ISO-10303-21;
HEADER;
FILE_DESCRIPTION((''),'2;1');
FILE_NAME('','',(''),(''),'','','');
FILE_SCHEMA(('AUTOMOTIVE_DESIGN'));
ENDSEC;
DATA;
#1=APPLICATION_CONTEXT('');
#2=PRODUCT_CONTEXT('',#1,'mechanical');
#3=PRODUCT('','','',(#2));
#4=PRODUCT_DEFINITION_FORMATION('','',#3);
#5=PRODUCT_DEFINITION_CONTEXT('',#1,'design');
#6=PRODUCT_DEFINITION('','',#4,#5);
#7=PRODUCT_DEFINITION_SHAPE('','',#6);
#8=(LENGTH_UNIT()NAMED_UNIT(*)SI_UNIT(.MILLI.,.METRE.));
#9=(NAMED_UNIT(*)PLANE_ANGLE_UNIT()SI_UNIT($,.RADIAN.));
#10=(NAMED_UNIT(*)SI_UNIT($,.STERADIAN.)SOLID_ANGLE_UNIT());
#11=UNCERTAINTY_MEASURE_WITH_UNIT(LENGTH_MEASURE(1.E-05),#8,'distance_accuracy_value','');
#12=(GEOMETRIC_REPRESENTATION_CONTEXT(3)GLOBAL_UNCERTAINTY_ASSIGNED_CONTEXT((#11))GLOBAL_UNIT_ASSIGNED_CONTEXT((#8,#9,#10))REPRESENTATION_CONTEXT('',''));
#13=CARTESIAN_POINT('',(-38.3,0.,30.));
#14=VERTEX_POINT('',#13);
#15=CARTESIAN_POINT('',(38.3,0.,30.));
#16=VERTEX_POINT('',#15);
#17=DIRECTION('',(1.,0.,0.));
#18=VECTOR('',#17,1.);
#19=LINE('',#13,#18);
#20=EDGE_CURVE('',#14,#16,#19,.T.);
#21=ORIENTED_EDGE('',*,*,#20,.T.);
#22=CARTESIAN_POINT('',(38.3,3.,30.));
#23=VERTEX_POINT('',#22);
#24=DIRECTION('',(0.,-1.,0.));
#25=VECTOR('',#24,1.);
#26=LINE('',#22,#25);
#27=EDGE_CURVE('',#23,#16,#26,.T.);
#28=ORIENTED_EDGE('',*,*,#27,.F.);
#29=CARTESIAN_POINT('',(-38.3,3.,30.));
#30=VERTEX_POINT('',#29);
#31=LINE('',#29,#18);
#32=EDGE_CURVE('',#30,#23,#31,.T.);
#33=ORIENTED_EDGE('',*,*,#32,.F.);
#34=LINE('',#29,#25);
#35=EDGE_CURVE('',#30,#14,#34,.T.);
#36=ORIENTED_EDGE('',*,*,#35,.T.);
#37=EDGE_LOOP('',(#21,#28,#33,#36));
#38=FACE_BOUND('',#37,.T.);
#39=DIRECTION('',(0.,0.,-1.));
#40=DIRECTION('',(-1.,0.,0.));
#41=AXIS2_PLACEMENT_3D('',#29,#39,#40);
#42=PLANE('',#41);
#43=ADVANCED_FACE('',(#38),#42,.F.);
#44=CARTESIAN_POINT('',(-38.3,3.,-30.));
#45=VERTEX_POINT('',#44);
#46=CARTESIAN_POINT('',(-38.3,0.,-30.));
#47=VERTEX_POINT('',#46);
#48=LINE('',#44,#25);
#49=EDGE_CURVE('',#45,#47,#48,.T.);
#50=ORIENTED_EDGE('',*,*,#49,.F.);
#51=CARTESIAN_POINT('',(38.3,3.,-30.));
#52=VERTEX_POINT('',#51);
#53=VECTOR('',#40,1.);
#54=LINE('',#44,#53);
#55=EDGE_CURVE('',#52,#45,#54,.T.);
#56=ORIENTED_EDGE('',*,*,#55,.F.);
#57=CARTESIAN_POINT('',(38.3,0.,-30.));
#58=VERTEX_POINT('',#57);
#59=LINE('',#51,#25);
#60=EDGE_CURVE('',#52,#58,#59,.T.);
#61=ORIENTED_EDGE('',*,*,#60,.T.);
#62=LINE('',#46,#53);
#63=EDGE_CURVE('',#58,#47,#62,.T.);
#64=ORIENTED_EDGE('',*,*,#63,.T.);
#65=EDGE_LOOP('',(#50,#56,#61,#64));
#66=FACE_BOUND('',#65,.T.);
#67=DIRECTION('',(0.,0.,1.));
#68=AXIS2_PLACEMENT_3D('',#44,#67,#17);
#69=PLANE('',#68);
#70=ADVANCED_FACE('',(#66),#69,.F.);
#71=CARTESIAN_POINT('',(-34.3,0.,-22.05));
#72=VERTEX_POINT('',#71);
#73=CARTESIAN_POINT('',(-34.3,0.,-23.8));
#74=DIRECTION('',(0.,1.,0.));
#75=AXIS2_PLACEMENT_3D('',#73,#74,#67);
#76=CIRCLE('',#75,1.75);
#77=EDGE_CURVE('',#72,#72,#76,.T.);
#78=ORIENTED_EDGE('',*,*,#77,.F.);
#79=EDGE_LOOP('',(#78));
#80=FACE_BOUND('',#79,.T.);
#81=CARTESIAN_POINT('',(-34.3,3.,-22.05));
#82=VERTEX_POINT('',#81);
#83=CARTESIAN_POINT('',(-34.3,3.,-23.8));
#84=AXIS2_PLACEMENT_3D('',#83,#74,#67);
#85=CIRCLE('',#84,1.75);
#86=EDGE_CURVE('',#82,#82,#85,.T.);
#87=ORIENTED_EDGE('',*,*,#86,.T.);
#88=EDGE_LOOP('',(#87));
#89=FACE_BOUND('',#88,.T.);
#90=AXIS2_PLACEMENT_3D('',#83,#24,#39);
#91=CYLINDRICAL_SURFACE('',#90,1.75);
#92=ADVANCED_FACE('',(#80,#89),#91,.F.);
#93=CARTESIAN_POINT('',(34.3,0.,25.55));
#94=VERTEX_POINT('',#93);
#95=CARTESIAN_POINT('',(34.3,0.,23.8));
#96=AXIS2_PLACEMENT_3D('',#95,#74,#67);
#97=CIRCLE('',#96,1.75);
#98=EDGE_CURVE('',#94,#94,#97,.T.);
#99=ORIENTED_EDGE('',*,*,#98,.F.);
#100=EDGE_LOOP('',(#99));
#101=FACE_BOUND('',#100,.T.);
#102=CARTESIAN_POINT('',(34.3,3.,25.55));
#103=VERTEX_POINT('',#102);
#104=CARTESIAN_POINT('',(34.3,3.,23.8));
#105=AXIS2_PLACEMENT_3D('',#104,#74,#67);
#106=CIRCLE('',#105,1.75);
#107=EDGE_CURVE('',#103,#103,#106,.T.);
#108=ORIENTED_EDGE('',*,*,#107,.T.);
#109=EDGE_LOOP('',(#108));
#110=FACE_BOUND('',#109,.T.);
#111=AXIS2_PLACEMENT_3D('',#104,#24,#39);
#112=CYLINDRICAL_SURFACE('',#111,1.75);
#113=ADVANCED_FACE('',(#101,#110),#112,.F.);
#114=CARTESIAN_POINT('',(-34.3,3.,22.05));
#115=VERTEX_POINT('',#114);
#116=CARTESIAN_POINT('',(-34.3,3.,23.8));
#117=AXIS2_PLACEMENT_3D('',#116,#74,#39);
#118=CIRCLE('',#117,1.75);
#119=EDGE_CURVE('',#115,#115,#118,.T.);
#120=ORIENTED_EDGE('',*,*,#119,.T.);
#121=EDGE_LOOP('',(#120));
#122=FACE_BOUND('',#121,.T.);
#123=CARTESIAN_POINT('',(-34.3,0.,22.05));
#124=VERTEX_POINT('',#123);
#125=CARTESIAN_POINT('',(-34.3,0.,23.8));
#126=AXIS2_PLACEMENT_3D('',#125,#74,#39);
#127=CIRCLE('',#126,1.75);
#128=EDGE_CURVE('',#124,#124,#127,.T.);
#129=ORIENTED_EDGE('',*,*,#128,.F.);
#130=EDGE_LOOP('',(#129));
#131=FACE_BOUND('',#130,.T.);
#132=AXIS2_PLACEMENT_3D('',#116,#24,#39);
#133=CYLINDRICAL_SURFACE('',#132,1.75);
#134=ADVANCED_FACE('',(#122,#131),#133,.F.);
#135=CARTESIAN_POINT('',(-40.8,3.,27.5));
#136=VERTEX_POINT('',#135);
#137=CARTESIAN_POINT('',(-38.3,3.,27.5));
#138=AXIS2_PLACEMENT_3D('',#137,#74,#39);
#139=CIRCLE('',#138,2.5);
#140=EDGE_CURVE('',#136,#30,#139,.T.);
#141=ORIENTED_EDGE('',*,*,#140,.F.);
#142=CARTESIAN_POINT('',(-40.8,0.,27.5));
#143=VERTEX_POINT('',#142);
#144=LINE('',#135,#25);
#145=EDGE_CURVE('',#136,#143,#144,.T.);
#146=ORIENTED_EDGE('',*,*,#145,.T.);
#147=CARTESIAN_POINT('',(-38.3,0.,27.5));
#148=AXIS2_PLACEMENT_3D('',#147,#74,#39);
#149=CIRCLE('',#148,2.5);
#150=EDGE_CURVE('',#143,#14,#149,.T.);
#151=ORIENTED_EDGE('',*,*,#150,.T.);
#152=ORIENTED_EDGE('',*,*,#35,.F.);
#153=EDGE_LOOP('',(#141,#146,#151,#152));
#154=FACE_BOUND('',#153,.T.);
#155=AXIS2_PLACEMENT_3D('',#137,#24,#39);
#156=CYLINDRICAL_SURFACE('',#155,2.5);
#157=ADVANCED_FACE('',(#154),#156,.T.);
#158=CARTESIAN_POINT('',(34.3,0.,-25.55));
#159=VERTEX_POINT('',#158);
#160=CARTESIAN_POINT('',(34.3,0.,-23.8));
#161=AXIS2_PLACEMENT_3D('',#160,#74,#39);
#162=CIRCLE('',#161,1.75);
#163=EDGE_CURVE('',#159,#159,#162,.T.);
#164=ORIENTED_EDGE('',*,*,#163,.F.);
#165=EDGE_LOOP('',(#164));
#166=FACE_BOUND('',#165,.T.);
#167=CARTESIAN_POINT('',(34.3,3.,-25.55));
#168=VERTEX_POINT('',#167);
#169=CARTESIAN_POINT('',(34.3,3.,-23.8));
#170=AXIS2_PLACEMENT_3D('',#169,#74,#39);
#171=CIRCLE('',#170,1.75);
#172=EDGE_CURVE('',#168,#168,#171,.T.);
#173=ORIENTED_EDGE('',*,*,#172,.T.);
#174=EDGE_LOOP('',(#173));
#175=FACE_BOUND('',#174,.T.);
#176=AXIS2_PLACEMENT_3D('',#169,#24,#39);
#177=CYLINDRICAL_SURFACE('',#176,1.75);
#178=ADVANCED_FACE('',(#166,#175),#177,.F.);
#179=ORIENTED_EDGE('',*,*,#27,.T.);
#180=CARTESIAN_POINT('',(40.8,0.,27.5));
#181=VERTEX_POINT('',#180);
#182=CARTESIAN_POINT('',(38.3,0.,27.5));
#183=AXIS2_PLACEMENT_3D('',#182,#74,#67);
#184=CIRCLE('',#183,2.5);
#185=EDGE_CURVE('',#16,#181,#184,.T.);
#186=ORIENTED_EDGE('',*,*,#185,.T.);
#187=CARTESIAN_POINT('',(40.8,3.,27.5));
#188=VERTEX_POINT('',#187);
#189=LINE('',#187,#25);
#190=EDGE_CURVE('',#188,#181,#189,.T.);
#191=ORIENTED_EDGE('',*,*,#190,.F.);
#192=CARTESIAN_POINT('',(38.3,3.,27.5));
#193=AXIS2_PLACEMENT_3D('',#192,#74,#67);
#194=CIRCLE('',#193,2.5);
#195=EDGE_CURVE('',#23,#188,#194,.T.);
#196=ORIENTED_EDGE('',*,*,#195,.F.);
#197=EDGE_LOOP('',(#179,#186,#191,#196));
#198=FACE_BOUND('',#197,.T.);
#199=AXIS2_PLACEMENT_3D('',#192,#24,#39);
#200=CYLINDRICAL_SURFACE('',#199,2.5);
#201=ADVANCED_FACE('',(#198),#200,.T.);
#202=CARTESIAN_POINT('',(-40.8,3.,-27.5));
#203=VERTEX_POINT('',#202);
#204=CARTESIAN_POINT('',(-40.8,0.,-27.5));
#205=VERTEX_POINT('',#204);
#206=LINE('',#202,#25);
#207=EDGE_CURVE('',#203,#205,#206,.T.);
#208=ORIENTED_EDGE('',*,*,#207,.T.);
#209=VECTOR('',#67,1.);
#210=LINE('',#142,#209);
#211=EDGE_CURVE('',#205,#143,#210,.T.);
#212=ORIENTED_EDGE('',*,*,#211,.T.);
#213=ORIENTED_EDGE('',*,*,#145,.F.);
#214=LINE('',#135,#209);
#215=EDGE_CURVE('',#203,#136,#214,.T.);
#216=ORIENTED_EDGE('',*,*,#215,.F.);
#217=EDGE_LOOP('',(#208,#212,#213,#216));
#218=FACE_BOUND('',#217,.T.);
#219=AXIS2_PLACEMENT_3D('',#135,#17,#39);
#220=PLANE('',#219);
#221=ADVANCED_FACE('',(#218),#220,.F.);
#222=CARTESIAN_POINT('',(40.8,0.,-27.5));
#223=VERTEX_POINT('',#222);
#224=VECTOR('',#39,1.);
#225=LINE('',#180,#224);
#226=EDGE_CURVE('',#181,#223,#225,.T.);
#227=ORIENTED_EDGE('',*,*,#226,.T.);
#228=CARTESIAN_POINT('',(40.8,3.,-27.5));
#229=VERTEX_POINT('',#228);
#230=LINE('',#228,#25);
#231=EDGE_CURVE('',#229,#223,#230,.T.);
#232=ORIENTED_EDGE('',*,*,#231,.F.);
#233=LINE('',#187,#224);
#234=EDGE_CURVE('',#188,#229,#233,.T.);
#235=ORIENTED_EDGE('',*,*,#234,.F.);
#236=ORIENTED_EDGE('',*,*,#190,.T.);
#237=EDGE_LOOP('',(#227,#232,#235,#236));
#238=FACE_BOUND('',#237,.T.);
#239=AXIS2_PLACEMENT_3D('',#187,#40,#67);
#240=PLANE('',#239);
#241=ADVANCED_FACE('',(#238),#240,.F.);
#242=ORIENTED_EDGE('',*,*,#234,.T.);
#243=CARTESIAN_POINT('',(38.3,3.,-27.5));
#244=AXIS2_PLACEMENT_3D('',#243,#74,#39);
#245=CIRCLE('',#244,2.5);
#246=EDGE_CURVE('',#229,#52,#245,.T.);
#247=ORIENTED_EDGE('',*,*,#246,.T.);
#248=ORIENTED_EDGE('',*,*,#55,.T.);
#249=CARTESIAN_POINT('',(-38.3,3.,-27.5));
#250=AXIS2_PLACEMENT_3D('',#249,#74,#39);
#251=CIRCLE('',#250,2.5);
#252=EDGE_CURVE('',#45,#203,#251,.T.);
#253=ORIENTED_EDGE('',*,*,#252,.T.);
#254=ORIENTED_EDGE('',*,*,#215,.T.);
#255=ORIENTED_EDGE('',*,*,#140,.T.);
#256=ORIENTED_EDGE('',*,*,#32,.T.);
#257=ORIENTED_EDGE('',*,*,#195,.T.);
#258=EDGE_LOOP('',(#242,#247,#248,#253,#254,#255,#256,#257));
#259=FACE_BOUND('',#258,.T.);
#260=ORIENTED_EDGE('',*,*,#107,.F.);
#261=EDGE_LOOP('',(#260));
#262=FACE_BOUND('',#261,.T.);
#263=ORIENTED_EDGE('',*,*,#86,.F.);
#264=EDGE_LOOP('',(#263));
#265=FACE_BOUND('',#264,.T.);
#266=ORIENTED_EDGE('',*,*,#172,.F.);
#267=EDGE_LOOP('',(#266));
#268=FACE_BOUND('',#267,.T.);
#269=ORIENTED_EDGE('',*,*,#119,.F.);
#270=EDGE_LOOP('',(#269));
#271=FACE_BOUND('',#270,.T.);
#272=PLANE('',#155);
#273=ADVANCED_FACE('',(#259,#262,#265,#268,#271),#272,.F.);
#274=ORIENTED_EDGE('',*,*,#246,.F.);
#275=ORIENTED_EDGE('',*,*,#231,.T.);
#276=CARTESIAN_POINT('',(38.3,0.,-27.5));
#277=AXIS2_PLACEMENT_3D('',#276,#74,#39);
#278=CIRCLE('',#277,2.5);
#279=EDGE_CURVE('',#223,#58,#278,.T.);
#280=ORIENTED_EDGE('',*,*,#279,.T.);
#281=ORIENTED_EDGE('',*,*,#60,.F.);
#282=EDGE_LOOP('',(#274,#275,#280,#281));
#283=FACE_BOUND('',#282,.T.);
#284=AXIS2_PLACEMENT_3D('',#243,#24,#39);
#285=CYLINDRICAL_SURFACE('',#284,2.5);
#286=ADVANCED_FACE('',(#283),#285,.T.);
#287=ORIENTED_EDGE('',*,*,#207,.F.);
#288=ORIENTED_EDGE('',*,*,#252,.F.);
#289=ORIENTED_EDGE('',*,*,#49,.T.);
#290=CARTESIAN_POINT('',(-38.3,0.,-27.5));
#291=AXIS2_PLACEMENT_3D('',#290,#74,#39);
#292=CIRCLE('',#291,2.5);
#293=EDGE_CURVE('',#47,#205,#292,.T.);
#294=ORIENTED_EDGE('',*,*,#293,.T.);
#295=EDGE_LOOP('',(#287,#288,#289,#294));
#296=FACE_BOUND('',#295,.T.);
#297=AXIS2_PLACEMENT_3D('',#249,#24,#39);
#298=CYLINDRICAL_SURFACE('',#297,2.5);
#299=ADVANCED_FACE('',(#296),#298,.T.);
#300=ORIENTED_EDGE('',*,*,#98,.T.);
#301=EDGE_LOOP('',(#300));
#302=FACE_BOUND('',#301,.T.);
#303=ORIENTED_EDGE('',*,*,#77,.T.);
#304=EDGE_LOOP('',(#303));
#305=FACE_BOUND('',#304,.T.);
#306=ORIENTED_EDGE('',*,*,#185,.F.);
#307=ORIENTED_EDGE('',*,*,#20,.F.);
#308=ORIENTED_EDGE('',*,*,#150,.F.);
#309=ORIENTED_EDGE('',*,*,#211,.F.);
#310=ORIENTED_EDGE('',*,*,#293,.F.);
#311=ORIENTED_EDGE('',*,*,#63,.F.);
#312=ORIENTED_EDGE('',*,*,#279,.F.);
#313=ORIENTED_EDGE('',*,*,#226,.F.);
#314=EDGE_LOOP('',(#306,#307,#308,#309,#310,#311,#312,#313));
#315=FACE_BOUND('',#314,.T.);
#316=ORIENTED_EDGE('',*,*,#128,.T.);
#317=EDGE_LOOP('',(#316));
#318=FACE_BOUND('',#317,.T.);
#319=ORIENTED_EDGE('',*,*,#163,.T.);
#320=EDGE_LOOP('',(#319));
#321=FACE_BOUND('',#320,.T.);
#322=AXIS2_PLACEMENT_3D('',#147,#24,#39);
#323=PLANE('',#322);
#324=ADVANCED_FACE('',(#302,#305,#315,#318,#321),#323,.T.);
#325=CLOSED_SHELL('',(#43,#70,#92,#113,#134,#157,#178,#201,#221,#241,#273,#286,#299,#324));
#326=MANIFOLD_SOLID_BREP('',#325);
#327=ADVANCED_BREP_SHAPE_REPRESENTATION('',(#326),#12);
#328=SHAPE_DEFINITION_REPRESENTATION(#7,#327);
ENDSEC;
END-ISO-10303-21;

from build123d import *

# Parameters (mm, degrees)
CROQUIS1_R              = 1.75
SALIENTE_EXTRUIR1_DEPTH = 3


with BuildPart() as part:
    # Croquis1 → Saliente-Extruir1 (new body)
    with BuildSketch(Plane(origin=(0, 0, 0), x_dir=(1, 0, 0), z_dir=(0, 1, 0))):
        with BuildLine():
            Line((-38.3, -30), (38.3, -30))
            ThreePointArc((38.3, -30), (40.067766953, -29.267766953), (40.8, -27.5))
            Line((40.8, -27.5), (40.8, 27.5))
            ThreePointArc((40.8, 27.5), (40.067766953, 29.267766953), (38.3, 30))
            Line((38.3, 30), (-38.3, 30))
            ThreePointArc((-38.3, 30), (-40.067766953, 29.267766953), (-40.8, 27.5))
            Line((-40.8, 27.5), (-40.8, -27.5))
            ThreePointArc((-40.8, -27.5), (-40.067766953, -29.267766953), (-38.3, -30))
        make_face()
        with Locations((-34.3, 23.8)):
            Circle(CROQUIS1_R, mode=Mode.SUBTRACT)
        with Locations((-34.3, -23.8)):
            Circle(CROQUIS1_R, mode=Mode.SUBTRACT)
        with Locations((34.3, -23.8)):
            Circle(CROQUIS1_R, mode=Mode.SUBTRACT)
        with Locations((34.3, 23.8)):
            Circle(CROQUIS1_R, mode=Mode.SUBTRACT)
    extrude(amount=SALIENTE_EXTRUIR1_DEPTH)


solid = part.part
